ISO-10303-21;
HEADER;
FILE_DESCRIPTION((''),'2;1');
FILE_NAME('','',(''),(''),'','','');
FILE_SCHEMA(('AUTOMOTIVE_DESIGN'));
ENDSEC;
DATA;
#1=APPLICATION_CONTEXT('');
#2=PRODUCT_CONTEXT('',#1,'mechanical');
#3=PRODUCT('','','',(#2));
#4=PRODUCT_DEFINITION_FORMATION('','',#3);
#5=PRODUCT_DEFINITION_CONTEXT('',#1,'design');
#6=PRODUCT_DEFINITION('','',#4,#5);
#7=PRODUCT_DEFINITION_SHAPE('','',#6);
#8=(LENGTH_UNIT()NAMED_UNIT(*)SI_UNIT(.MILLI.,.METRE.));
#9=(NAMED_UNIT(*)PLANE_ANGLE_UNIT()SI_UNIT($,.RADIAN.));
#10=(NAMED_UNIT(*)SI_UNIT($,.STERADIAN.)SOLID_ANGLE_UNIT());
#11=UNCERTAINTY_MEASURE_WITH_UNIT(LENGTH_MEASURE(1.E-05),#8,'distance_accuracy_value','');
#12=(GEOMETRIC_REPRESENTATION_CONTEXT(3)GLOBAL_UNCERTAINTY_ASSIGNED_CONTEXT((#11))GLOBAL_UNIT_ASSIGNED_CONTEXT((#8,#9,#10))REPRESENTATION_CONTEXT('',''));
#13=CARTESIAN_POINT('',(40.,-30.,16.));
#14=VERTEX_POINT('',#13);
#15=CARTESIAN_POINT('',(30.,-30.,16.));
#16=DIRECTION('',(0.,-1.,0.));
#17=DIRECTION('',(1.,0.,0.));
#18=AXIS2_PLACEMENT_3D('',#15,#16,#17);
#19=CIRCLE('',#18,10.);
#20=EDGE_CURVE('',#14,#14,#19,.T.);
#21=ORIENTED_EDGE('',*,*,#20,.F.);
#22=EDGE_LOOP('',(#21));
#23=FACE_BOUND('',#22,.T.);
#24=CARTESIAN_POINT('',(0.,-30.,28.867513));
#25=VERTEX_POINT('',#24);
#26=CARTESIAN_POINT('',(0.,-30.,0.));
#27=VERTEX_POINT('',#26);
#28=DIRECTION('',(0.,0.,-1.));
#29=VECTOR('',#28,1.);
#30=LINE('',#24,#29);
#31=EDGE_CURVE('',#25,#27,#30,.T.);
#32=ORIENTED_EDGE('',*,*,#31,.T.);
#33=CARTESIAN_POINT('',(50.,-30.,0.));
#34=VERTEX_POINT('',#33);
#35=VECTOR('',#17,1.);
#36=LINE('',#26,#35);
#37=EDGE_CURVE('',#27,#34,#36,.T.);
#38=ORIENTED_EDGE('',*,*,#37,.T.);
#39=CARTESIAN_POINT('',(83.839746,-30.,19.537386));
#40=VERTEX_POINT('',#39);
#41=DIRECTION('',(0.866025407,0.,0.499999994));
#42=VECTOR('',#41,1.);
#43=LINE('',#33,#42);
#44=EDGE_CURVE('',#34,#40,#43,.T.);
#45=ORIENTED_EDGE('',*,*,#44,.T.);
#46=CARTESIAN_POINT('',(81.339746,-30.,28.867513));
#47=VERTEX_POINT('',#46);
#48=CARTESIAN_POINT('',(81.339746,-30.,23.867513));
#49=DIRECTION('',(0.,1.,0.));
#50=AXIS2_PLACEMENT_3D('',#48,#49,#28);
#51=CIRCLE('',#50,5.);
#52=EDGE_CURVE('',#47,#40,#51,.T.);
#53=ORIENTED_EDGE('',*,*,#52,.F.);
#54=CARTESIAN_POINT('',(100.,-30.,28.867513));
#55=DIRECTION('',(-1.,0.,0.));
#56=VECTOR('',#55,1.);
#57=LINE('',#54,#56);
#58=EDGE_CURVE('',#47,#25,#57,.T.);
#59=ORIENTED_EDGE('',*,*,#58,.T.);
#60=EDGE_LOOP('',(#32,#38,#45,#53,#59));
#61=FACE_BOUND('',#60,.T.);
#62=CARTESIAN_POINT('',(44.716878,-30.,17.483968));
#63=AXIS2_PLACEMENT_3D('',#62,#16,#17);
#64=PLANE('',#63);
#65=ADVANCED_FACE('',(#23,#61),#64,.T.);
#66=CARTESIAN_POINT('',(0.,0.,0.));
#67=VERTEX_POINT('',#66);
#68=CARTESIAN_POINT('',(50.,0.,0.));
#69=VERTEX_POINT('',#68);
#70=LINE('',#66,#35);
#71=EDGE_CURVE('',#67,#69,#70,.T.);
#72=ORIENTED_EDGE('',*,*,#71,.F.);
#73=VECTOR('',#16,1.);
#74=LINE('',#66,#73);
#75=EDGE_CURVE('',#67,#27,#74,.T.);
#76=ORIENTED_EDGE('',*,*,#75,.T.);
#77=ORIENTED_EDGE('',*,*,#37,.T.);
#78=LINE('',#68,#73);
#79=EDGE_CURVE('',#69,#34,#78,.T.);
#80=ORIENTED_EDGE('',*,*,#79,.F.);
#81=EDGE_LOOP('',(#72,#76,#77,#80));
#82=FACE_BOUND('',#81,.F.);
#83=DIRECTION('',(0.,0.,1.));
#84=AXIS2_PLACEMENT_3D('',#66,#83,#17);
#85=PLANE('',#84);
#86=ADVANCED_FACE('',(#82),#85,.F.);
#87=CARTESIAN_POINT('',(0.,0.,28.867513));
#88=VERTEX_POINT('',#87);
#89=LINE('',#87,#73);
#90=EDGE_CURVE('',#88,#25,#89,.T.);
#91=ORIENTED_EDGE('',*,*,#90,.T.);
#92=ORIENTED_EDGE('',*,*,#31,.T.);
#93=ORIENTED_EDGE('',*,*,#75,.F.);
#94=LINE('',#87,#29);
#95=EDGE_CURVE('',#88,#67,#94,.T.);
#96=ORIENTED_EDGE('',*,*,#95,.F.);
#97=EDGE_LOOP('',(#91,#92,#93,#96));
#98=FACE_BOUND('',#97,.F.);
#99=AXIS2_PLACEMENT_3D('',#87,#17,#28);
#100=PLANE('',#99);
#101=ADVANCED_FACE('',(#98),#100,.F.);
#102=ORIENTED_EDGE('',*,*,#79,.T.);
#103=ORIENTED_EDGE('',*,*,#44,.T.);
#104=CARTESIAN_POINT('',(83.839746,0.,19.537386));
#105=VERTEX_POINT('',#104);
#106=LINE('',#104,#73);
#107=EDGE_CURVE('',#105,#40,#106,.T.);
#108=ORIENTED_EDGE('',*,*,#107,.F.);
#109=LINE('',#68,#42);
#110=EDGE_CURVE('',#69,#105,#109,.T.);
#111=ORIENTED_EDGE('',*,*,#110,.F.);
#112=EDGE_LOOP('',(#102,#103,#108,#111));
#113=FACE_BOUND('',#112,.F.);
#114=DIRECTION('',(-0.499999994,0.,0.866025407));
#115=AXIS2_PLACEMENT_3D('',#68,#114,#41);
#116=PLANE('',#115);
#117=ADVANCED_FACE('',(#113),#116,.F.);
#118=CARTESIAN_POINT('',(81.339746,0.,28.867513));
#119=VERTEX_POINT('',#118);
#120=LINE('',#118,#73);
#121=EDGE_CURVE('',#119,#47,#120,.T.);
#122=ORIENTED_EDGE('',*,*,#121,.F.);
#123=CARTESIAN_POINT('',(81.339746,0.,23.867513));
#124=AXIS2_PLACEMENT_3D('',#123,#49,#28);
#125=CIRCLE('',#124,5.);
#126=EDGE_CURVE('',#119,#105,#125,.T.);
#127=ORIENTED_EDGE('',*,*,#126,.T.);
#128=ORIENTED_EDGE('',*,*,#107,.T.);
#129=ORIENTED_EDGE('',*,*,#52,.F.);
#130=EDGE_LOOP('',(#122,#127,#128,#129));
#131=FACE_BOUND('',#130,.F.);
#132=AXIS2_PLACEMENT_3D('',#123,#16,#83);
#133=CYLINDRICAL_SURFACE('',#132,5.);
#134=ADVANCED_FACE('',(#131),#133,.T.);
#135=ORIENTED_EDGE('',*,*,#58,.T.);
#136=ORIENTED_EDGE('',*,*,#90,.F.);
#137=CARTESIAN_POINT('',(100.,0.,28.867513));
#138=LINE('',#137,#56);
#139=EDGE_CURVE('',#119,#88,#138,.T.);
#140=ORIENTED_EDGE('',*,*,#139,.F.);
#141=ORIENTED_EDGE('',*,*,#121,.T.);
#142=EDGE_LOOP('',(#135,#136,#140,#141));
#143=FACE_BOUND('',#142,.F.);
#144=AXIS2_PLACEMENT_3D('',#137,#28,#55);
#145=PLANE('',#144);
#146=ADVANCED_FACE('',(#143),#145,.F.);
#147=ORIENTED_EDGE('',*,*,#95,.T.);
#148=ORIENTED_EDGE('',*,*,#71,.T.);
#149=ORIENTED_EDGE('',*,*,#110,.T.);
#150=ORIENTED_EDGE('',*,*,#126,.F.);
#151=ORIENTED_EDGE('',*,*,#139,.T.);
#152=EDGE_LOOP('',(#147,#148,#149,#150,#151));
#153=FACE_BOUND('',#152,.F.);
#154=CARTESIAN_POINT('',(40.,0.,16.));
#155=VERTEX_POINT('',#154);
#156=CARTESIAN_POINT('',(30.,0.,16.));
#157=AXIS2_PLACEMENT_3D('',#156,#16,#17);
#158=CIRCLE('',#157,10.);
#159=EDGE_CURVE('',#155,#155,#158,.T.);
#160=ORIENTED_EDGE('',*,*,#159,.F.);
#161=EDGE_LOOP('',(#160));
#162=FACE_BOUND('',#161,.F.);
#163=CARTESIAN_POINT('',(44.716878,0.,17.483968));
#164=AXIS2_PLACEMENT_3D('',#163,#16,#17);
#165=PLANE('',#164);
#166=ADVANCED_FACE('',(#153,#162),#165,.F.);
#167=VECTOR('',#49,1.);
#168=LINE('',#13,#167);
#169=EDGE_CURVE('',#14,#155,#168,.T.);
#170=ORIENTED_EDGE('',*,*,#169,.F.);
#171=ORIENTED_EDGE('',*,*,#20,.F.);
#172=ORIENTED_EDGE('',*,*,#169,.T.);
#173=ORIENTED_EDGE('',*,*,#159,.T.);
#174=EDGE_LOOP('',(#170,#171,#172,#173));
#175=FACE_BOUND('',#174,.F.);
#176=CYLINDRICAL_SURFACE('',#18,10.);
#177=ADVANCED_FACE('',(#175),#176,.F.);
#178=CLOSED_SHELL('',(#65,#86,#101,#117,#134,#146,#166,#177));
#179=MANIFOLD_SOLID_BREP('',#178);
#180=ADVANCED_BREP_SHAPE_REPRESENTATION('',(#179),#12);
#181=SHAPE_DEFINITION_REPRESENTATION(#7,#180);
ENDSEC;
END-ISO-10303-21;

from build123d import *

# Parameters (mm, degrees)
F1_DEPTH = 30
F2_R     = 10
F3_DEPTH = 30
F4_R     = 5


with BuildPart() as f1:
    # F0 (on Front) → F1 (new body)
    with BuildSketch(Plane.XZ):
        Polygon((0, 28.867513), (0, 0), (50, 0), (100, 28.867513), align=None)
    extrude(amount=F1_DEPTH)

    # F2 (on face) → F3 (cut, through all)
    with BuildSketch(Plane.XZ.offset(30)):
        with Locations((30, 16)):
            Circle(F2_R)
    extrude(amount=-F3_DEPTH, mode=Mode.SUBTRACT)

    # F4
    f4_edges = [f1.edges().sort_by_distance(p)[0] for p in [
        (100, -15, 28.867513),
    ]]
    fillet(f4_edges, radius=F4_R)


solid = f1.part
